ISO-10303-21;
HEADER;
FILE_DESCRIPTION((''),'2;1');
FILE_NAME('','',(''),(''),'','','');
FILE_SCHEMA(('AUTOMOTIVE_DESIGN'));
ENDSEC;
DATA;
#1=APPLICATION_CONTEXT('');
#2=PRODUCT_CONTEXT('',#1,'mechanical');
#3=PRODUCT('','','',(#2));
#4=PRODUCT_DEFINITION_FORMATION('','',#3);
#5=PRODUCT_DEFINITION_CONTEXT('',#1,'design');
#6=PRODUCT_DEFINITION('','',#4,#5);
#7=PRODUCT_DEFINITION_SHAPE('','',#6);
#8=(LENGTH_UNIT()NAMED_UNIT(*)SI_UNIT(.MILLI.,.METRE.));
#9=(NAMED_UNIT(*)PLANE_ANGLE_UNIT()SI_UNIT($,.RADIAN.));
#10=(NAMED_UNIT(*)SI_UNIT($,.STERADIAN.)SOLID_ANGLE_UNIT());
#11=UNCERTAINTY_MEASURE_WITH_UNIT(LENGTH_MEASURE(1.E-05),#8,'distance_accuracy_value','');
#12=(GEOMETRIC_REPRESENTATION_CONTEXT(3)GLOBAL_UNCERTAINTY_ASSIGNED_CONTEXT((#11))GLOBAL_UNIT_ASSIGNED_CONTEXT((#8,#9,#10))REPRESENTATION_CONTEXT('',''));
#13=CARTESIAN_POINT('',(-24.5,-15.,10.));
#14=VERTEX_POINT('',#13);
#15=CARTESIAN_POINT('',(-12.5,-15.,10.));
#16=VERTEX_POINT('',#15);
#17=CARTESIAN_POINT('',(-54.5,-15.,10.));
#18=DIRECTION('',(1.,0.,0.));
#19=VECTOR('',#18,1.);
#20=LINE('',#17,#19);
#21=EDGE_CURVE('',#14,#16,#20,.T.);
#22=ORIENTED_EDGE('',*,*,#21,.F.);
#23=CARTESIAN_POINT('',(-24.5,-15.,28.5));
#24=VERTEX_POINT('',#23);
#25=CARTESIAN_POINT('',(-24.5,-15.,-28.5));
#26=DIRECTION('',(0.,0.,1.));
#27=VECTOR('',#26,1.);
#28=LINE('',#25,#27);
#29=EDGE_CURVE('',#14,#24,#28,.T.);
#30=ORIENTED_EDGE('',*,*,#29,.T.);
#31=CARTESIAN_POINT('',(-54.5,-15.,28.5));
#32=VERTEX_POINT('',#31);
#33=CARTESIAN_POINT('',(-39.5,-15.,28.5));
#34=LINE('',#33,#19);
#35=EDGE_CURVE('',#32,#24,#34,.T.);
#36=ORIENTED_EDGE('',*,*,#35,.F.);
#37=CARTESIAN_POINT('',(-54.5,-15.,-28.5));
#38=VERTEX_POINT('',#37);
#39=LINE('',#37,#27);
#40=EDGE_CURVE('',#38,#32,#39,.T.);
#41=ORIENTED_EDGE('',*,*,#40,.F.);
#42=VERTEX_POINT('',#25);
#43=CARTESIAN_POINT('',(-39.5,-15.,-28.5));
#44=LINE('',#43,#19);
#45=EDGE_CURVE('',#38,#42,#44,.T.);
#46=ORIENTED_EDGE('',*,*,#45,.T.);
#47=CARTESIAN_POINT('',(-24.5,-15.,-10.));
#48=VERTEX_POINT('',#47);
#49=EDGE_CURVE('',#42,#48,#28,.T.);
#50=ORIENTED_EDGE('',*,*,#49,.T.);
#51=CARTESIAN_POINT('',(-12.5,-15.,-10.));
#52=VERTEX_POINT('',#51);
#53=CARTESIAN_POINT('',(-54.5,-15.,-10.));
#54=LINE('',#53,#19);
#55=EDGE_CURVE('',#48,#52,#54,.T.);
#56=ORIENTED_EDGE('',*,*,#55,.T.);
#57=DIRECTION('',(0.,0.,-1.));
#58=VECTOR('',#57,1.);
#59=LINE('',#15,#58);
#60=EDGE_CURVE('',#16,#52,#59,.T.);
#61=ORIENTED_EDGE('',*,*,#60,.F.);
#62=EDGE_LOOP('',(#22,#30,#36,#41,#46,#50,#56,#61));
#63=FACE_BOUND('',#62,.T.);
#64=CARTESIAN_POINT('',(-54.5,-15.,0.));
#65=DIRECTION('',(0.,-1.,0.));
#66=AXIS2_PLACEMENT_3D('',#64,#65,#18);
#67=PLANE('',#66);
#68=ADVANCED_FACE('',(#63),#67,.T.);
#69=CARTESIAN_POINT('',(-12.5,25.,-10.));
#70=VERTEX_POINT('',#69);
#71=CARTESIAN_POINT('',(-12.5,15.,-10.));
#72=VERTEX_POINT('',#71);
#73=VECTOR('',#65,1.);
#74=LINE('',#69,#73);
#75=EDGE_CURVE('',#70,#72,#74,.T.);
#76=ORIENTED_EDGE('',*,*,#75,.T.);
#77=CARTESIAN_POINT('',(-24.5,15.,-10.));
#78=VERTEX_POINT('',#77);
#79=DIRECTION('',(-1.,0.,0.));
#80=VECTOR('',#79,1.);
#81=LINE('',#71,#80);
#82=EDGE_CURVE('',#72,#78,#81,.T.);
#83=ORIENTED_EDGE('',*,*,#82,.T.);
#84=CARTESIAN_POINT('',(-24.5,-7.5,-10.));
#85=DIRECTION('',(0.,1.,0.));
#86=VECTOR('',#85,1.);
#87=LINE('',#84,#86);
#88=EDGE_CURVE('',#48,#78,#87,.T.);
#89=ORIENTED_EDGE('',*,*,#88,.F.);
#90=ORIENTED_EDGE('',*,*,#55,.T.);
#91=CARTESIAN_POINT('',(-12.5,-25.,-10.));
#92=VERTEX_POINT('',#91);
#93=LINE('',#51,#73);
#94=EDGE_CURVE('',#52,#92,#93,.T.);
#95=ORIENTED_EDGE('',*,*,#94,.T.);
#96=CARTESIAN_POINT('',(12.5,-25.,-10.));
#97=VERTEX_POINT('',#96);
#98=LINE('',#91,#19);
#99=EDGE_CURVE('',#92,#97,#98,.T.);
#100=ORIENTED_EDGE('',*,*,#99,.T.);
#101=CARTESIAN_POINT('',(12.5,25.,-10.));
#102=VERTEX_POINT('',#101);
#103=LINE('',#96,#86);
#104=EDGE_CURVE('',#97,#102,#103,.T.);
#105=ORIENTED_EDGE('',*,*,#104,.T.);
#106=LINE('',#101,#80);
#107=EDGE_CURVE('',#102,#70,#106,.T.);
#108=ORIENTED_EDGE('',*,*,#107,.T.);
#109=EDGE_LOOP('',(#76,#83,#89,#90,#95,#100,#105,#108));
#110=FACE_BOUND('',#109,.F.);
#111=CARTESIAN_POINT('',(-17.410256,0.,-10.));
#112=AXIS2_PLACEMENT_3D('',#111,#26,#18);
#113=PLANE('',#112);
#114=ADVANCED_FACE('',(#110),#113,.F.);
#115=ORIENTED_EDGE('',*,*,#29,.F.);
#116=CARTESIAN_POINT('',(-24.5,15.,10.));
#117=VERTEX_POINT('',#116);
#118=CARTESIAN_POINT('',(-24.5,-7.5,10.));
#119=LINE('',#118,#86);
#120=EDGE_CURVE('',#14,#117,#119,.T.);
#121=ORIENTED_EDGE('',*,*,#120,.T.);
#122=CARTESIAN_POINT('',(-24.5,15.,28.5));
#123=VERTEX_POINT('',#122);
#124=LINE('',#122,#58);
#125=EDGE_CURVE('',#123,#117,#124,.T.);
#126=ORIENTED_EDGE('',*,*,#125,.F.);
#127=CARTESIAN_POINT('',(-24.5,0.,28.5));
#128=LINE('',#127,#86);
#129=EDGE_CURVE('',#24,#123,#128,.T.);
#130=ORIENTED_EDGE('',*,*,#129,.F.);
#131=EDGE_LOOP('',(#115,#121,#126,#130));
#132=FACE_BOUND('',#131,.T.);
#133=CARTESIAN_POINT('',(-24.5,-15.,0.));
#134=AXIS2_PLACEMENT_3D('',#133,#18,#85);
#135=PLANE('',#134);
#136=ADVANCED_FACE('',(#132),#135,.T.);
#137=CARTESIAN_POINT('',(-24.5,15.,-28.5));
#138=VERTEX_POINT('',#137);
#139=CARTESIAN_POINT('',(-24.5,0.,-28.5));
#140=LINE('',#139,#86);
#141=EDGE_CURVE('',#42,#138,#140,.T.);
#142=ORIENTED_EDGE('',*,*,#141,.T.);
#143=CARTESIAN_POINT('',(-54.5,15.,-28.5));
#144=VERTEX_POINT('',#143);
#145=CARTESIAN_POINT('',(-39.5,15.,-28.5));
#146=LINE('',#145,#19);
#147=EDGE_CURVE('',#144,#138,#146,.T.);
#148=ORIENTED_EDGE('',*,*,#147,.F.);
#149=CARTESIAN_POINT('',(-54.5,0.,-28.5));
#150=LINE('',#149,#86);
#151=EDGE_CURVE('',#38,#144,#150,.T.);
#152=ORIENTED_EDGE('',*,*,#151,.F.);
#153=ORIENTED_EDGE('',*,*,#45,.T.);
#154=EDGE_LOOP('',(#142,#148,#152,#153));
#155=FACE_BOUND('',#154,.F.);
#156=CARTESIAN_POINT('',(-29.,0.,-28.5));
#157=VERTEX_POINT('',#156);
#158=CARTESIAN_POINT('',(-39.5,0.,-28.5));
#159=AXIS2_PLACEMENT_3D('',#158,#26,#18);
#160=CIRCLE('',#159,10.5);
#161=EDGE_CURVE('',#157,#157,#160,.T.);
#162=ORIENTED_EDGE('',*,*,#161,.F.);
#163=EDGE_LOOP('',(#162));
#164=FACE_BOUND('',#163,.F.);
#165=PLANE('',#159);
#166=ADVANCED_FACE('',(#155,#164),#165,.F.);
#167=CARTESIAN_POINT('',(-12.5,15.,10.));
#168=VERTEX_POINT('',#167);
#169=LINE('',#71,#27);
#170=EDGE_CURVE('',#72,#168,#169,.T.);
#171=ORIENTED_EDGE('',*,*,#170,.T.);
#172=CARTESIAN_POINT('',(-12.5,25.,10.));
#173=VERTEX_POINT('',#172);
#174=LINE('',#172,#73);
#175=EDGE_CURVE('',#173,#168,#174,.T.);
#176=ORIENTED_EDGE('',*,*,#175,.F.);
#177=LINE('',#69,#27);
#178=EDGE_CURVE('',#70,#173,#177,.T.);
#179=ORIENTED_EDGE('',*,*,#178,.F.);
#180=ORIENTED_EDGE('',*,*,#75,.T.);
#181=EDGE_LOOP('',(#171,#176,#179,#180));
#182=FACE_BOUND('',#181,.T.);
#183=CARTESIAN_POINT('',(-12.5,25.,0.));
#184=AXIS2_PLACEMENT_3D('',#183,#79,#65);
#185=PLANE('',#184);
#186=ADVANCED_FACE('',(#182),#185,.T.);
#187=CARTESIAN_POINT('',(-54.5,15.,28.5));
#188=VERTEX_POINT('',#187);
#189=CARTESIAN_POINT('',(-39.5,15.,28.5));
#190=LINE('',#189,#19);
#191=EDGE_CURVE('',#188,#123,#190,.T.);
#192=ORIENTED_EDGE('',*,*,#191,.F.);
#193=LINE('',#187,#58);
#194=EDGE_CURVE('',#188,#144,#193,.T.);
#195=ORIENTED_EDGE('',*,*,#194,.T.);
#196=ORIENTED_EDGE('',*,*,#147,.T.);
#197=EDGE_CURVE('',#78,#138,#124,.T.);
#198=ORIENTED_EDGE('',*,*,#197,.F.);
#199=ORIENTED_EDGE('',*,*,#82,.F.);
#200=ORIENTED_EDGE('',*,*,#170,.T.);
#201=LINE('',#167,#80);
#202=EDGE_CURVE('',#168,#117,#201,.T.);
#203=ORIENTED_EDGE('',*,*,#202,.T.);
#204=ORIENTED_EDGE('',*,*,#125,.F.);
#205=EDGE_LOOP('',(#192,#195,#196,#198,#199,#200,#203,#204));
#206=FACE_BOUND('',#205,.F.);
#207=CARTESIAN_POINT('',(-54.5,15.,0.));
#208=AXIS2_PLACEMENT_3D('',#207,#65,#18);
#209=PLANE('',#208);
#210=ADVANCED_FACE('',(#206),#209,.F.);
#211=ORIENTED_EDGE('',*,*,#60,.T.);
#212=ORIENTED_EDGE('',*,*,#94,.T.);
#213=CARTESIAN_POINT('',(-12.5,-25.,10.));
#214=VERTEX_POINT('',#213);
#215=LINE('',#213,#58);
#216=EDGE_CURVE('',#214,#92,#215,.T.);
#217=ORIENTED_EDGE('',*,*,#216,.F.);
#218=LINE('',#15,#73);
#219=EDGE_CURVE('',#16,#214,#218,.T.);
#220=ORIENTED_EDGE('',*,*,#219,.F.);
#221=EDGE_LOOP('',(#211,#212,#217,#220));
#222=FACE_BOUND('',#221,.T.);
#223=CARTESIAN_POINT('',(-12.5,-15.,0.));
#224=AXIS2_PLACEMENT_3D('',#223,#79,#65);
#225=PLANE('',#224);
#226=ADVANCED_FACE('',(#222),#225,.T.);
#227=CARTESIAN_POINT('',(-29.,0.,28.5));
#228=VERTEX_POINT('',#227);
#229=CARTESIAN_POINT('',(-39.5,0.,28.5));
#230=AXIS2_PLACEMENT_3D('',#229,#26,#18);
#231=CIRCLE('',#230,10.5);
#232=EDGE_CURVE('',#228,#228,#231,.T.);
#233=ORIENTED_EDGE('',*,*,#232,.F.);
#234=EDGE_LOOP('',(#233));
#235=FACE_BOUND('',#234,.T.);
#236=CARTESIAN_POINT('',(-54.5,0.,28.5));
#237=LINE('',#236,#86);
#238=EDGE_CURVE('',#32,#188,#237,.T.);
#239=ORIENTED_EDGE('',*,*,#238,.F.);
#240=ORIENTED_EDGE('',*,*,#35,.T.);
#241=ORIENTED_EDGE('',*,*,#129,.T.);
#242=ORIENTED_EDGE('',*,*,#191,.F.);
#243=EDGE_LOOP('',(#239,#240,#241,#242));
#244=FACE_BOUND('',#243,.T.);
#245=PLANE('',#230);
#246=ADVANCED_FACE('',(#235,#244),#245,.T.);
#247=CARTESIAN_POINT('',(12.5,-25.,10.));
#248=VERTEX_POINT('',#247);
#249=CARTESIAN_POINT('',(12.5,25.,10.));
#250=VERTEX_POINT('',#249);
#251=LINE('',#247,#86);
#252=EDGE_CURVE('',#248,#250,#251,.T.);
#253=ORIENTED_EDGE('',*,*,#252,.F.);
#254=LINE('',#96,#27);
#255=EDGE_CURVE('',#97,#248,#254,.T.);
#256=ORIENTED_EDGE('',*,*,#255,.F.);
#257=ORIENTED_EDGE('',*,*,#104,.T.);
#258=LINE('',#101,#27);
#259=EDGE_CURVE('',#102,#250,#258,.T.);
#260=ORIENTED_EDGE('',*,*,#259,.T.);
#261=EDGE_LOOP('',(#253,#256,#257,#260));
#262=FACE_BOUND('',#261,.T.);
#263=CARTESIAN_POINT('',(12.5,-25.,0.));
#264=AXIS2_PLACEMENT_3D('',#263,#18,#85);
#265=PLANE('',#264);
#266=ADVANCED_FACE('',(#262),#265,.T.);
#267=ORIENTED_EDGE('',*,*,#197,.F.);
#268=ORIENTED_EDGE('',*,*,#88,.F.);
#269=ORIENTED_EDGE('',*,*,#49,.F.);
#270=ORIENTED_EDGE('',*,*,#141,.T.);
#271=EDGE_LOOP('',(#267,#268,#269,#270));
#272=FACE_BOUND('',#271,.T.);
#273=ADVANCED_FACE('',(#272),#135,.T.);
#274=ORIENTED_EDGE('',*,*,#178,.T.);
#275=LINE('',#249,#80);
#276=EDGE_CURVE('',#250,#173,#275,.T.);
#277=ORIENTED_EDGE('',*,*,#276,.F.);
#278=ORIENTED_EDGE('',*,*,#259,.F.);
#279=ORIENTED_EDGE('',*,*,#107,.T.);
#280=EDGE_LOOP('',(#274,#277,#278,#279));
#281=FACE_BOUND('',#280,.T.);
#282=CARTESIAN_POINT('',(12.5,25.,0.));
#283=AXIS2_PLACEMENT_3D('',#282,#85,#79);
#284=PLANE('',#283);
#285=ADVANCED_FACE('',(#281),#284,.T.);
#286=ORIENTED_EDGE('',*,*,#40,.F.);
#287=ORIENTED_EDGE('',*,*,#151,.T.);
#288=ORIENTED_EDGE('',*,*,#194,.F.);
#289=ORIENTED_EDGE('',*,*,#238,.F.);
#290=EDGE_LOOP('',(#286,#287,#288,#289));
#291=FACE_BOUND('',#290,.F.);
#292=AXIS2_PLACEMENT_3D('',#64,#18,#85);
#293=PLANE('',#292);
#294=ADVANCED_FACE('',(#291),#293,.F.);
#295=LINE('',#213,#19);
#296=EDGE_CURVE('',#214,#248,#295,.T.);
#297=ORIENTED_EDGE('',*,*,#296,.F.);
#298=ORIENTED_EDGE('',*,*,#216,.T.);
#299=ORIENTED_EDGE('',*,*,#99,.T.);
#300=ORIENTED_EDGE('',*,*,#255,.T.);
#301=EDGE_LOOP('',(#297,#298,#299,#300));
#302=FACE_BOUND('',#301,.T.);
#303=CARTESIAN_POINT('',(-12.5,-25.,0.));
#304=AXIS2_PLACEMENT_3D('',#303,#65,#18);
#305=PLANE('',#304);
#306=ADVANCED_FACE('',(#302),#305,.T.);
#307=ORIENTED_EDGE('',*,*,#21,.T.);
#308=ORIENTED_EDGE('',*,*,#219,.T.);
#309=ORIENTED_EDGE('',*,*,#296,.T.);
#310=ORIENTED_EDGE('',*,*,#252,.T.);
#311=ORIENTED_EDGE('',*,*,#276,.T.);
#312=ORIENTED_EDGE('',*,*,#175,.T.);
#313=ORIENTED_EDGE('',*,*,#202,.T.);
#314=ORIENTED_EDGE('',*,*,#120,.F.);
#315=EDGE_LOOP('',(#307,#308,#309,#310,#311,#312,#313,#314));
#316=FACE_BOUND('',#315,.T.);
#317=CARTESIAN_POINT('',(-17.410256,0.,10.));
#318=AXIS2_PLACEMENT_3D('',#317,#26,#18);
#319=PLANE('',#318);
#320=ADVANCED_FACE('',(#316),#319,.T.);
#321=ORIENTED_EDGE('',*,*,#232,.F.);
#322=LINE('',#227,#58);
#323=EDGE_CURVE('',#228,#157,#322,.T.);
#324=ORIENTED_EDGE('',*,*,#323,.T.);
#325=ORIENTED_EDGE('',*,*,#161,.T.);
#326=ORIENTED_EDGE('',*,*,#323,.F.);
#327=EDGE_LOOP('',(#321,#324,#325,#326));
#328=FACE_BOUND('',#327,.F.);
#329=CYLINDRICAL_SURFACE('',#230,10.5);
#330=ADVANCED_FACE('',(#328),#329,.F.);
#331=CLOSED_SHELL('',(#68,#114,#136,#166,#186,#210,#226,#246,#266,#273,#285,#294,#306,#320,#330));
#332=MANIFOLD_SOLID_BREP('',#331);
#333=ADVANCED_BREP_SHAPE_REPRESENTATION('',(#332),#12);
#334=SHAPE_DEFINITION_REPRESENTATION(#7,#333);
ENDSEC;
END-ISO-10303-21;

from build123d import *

# Parameters (mm, degrees)
F1_DEPTH = 10
F2_W     = 30
F2_H     = 30
F3_DEPTH = 28.5
F4_R     = 10.5
F5_DEPTH = 57.001


with BuildPart() as f1:
    # F0 (on Top) → F1 (new body, symmetric)
    with BuildSketch(Plane.XY):
        Polygon((-12.5, -25), (12.5, -25), (12.5, 25), (-12.5, 25), (-12.5, 15), (-54.5, 15), (-54.5, -15), (-12.5, -15), align=None)
    extrude(amount=F1_DEPTH, both=True)

    # F2 (on Top) → F3 (join, symmetric)
    with BuildSketch(Plane.XY):
        with Locations((-39.5, 0)):
            Rectangle(F2_W, F2_H)
    extrude(amount=F3_DEPTH, both=True)

    # F4 (on face) → F5 (cut, through all)
    with BuildSketch(Plane.XY.offset(28.5)):
        with Locations((-39.5, 0)):
            Circle(F4_R)
    extrude(amount=-F5_DEPTH, mode=Mode.SUBTRACT)


solid = f1.part
